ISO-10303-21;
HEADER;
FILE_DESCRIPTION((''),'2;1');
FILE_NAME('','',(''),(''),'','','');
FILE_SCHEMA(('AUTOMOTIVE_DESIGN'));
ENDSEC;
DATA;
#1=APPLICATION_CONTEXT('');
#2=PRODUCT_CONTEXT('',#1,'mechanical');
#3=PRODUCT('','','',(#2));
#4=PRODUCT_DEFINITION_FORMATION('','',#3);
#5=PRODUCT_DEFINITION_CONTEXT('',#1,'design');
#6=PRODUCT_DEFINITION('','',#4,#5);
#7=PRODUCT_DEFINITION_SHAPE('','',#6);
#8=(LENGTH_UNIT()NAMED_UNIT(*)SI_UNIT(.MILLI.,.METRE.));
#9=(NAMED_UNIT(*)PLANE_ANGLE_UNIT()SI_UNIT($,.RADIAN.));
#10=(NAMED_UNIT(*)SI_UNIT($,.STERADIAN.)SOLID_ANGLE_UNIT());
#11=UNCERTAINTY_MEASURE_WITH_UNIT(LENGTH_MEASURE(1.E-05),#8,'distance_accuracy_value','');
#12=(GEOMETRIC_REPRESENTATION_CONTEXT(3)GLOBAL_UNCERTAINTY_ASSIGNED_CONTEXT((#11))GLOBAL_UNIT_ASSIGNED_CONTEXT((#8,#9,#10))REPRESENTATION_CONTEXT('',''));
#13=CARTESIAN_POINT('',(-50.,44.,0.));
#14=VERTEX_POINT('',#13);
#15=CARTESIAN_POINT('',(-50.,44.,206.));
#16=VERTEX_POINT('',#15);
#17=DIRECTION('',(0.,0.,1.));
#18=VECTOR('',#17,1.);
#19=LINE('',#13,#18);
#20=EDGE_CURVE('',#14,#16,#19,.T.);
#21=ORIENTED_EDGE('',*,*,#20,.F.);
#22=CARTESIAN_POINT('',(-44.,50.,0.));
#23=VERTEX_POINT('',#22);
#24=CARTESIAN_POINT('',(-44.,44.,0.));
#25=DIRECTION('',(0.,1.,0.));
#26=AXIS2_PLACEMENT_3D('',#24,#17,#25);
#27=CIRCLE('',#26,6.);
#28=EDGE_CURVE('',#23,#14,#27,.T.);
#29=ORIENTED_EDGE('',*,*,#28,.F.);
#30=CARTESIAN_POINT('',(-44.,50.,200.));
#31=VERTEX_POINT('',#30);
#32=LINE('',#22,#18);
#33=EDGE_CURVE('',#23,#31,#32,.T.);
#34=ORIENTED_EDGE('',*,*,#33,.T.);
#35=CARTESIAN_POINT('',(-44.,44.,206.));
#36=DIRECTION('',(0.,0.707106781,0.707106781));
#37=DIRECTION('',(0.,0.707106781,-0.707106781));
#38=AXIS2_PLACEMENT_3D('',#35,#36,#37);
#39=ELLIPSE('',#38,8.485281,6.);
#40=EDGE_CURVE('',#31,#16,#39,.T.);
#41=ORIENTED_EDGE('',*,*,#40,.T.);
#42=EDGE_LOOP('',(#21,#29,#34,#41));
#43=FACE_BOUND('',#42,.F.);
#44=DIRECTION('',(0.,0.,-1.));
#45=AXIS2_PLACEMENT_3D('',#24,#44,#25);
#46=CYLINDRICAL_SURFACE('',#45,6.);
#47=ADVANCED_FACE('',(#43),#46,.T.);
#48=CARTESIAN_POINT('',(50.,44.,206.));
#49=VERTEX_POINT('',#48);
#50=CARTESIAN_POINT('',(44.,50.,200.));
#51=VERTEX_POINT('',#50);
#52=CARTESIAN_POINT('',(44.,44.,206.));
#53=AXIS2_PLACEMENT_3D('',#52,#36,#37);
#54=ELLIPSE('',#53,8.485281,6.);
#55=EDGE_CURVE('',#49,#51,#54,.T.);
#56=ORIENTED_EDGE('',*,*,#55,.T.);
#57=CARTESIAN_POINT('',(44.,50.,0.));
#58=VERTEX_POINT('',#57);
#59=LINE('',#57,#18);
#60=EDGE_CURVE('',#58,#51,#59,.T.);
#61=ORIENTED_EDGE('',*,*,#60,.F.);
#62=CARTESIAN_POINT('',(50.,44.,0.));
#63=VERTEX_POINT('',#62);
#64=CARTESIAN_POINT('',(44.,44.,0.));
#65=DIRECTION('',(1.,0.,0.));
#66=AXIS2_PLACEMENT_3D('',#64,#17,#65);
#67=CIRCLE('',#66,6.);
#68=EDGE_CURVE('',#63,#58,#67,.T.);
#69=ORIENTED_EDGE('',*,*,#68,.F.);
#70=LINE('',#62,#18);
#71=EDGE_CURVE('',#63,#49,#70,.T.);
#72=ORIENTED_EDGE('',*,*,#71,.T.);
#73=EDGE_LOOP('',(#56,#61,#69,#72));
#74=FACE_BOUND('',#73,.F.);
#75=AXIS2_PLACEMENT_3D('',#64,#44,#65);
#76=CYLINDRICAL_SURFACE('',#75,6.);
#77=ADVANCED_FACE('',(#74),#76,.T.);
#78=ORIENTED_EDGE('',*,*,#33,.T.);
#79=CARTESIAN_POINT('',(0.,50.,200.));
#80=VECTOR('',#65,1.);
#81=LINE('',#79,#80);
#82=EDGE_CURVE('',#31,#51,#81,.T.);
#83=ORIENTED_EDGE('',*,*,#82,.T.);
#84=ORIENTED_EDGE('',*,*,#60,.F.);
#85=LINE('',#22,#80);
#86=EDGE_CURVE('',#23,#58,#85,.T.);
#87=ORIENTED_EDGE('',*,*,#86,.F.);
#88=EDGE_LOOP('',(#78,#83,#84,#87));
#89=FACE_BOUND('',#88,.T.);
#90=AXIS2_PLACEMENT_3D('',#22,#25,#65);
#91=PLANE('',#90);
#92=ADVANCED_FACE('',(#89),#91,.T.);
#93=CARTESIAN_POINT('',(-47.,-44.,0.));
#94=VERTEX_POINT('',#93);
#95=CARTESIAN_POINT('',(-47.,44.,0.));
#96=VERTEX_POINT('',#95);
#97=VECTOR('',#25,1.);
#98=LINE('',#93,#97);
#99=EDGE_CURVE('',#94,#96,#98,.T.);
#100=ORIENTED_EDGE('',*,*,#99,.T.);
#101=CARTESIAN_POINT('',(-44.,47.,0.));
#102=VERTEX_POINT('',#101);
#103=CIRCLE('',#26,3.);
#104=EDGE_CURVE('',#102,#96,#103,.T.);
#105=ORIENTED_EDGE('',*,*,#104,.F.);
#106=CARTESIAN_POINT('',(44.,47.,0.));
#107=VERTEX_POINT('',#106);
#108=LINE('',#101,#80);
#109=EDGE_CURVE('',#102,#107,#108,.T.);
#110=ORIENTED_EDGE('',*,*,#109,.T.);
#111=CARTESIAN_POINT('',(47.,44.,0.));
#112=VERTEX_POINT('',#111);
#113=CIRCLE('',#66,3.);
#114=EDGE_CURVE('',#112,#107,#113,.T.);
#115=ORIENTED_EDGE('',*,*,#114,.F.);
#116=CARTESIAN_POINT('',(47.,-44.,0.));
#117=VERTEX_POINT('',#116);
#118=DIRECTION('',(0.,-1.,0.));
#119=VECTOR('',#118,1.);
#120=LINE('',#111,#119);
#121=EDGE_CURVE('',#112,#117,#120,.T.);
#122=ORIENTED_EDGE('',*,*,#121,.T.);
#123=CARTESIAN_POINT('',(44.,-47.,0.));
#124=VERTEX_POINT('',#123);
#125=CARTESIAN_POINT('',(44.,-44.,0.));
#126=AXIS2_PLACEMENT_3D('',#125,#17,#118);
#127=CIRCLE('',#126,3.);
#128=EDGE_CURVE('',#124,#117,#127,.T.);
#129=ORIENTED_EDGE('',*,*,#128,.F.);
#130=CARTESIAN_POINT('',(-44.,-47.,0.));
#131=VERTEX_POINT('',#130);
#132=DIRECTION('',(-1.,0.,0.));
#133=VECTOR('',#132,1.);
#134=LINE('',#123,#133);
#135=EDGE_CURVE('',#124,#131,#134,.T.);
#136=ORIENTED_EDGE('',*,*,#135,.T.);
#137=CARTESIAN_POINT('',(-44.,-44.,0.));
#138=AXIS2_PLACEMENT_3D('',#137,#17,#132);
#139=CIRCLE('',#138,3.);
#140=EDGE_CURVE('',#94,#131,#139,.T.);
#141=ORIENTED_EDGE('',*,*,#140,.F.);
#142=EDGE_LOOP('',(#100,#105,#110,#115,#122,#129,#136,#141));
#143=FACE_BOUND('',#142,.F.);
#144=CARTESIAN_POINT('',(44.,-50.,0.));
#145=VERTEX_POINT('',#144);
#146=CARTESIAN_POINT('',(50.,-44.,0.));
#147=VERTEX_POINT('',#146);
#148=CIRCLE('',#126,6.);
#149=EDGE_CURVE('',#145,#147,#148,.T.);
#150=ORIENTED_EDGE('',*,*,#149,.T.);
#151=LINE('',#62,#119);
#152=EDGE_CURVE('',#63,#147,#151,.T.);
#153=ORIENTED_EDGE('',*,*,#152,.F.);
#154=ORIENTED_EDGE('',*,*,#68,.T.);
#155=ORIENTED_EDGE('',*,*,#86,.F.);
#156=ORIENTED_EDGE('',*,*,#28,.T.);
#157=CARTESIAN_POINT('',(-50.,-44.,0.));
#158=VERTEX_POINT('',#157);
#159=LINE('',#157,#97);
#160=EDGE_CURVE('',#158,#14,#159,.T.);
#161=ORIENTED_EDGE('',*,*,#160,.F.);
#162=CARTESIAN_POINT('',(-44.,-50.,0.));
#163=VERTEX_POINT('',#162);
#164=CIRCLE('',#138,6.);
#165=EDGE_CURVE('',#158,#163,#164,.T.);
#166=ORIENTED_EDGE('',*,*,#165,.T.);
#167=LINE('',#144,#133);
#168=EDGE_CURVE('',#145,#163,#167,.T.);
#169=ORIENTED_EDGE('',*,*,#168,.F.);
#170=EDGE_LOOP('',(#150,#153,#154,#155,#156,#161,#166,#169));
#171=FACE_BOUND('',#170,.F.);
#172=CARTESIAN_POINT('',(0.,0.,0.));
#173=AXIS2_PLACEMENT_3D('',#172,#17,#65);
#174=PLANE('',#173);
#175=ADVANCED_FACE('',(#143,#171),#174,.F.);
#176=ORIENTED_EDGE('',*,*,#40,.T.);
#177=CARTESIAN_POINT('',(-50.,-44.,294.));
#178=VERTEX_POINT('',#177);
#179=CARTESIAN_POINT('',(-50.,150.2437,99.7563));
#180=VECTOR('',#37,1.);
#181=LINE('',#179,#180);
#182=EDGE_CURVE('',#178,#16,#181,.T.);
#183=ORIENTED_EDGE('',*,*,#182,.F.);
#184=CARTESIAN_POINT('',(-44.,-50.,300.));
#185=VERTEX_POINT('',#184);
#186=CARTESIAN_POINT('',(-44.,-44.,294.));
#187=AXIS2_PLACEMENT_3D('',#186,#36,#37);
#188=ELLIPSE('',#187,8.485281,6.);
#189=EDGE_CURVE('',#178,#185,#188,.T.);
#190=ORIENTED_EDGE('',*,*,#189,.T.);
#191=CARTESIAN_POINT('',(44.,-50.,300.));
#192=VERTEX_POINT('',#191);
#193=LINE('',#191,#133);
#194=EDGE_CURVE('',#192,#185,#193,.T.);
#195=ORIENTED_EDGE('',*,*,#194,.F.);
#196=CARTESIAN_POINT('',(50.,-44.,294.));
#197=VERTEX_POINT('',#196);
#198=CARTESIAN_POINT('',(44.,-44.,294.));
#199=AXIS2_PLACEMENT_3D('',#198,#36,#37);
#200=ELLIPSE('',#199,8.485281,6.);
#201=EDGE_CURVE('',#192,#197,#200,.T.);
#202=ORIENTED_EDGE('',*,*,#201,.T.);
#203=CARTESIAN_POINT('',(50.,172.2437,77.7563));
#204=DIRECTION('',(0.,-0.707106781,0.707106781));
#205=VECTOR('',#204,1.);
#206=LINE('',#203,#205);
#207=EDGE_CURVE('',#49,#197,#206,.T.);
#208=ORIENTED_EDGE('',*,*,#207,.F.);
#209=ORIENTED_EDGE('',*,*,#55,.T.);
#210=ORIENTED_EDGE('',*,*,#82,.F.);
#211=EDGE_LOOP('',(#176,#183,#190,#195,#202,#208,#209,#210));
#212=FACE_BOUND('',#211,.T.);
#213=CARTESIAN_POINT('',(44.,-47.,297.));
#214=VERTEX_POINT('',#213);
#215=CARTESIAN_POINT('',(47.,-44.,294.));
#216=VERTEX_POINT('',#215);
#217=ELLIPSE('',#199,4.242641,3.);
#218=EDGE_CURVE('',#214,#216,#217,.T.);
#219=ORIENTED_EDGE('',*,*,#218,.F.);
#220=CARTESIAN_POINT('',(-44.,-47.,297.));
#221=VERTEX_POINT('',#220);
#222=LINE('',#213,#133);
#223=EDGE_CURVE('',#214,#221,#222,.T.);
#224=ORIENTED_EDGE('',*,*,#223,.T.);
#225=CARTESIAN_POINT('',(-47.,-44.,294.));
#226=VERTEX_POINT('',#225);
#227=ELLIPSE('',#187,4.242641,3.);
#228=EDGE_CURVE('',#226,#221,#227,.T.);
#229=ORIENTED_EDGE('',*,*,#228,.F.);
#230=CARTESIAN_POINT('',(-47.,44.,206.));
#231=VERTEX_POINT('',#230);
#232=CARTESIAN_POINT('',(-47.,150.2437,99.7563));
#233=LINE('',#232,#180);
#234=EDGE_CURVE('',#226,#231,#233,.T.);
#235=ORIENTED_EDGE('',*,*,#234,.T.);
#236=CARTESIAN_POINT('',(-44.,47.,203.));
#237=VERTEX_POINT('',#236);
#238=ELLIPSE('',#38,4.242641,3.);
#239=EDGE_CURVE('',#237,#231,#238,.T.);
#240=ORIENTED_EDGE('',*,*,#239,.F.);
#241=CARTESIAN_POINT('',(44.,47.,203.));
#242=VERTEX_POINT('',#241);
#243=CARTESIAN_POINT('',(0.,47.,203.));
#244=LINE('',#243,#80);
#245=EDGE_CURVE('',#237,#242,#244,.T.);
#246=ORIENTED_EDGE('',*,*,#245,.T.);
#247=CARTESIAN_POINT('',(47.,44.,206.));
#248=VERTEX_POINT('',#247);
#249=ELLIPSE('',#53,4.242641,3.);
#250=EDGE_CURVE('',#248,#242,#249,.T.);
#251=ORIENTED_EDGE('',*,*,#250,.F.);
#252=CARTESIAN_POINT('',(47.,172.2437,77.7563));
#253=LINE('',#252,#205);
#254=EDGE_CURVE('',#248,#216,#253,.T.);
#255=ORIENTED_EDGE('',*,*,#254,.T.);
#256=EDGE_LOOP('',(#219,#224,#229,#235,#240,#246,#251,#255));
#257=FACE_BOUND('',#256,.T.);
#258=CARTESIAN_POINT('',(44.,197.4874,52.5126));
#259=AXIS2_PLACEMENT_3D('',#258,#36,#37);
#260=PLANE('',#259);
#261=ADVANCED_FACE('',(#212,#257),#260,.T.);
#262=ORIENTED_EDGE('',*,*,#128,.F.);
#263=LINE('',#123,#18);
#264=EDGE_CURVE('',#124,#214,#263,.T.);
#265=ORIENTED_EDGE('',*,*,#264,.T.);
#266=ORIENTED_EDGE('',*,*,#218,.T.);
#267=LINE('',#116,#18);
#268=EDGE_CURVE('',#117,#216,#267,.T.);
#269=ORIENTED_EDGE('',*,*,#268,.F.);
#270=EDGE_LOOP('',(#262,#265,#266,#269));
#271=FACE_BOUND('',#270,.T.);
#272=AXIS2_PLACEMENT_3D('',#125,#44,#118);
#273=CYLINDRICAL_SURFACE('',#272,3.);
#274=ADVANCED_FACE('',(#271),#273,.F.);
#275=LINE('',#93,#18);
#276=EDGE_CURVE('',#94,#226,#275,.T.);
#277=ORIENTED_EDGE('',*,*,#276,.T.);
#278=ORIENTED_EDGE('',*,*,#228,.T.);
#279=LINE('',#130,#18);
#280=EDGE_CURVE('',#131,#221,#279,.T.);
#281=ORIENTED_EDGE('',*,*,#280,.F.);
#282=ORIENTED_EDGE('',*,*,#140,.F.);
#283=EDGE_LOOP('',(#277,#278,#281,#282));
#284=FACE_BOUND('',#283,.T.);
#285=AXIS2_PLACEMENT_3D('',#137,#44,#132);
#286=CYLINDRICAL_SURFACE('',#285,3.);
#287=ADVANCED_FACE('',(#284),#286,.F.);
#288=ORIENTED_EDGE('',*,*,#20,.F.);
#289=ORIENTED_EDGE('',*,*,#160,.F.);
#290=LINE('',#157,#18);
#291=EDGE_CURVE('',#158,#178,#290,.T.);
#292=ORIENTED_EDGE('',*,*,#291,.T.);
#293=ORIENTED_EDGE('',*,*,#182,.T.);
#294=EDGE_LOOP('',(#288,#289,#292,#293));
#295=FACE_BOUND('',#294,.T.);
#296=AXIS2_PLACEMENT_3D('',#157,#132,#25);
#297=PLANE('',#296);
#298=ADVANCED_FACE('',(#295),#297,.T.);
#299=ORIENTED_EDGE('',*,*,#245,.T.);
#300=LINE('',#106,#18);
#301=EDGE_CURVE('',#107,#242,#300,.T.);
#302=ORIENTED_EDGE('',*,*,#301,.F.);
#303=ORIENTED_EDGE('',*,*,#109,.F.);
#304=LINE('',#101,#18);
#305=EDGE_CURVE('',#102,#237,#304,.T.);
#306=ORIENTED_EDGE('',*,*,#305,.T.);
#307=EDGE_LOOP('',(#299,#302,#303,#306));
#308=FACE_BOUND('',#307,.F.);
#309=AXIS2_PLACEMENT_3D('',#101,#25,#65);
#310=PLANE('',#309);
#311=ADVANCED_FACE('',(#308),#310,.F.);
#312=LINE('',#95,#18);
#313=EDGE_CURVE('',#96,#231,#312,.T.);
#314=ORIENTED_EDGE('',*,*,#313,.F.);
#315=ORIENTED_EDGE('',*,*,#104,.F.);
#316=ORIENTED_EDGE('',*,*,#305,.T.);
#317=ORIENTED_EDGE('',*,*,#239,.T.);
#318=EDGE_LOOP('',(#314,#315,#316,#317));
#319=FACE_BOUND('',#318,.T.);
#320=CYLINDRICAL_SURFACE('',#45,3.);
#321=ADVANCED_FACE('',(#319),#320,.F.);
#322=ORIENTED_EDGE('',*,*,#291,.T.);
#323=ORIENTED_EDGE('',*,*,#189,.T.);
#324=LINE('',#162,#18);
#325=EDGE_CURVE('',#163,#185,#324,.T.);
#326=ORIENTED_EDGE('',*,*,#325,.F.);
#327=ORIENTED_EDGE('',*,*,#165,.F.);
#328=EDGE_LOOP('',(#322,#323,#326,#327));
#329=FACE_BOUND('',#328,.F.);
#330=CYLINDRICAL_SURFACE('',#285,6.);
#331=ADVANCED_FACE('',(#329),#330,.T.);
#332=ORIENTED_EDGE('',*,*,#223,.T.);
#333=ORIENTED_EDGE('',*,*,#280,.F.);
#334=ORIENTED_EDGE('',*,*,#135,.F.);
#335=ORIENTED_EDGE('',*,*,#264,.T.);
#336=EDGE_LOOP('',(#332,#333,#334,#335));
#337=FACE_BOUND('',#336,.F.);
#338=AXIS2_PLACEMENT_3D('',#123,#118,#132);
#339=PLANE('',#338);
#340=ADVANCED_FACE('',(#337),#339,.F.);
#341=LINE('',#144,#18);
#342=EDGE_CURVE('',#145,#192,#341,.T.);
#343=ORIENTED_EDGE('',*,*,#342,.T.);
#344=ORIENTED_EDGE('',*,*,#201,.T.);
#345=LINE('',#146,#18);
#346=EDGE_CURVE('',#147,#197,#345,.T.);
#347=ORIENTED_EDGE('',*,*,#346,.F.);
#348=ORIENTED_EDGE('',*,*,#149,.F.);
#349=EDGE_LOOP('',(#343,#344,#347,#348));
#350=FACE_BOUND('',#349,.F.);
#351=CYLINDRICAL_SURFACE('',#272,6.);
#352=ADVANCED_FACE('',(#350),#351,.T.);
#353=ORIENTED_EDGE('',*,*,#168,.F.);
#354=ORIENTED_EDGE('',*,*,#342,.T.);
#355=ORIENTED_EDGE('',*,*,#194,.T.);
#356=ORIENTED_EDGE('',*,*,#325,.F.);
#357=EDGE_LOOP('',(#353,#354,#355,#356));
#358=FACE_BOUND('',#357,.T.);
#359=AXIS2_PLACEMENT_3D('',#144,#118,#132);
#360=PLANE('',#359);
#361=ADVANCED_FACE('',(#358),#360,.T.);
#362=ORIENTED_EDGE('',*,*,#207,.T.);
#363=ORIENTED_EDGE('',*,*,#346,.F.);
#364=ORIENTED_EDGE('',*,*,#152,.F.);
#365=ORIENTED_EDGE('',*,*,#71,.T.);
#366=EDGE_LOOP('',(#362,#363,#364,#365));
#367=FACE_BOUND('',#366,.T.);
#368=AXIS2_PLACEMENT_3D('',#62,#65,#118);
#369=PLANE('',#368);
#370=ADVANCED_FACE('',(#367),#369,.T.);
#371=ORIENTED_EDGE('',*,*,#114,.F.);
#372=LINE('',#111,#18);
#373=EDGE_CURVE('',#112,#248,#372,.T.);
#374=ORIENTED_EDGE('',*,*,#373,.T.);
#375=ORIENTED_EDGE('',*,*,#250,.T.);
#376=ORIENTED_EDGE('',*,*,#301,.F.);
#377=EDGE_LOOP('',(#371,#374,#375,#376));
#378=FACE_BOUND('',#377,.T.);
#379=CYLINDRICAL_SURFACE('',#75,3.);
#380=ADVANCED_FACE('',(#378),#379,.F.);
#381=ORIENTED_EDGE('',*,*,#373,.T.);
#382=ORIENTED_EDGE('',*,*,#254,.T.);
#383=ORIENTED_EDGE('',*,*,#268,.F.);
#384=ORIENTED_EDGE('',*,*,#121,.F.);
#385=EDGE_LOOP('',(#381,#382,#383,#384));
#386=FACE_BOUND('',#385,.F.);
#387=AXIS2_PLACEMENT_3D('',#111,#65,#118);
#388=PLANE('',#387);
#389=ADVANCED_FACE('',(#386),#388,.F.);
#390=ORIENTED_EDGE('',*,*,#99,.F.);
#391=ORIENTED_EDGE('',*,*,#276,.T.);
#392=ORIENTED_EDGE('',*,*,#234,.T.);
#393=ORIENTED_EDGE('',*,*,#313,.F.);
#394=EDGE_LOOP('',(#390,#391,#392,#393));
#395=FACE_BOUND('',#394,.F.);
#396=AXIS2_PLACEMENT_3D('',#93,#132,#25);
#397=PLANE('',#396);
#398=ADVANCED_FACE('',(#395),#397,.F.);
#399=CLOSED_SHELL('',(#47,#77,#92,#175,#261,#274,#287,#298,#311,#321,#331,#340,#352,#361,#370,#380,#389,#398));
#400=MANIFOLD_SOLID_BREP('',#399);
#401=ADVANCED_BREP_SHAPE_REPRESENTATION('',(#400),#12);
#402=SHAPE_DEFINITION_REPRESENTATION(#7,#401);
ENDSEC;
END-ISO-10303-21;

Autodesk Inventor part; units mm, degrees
ref_plane "Start Plane" through (0, 0, 0) normal (0, 0, 1) x (1, 0, 0)
ref_plane "End Plane" through (0, 0, 300) normal (0, 0, 1) x (1, 0, 0)
sketch "Sketch" plane through (0, 0, 0) normal (0, 0, 1) x (1, 0, 0)
  line L0 (-50, -44) -> (-50, 44)
  line L1 (-44, 50) -> (44, 50)
  line L2 (50, 44) -> (50, -44)
  line L3 (44, -50) -> (-44, -50)
  arc A0 (-50, -44) -> (-44, -50) centre (-44, -44) ccw
  arc A1 (50, 44) -> (44, 50) centre (44, 44) ccw
  arc A2 (-44, 50) -> (-50, 44) centre (-44, 44) ccw
  arc A3 (44, -50) -> (50, -44) centre (44, -44) ccw
  arc A4 (-44, 47) -> (-47, 44) centre (-44, 44) ccw
  line L4 (-44, 47) -> (44, 47)
  arc A5 (47, 44) -> (44, 47) centre (44, 44) ccw
  line L5 (47, 44) -> (47, -44)
  arc A6 (44, -47) -> (47, -44) centre (44, -44) ccw
  line L6 (44, -47) -> (-44, -47)
  arc A7 (-47, -44) -> (-44, -47) centre (-44, -44) ccw
  line L7 (-47, -44) -> (-47, 44)
  line L8 (0, 71.7397) -> (0, -71.7397) construction
  line L9 (-71.7397, 0) -> (71.7397, 0) construction
  dimension "d7" = 6
  dimension "d9" = 100
  dimension "d11" = 100
  dimension "d12" = 3
  dimension "d15" = 50
  dimension "d16" = 50
extrude "Body" add sketch "Sketch" along normal up to surface (300 mm away) from surface at 0
sketch "Sketch3" plane through (0, 0, 0) normal (0, 0, 1) x (1, 0, 0)
  line L0 (0, 0) -> (10, 0)
ref_plane "Work Plane3" through (0, 0, 0) normal (0, -1, 0) x (1, 0, 0)
ref_plane "Work Plane4" through (44, 197.4874, 52.5126) normal (0, 0.7071, 0.7071) x (1, 0, 0)
split "Split1" plane through (44, 197.4874, 52.5126) removes the side toward (0, 0.7071, 0.7071)
sketch "Sketch4" plane through (0, 0, 0) normal (0, -1, 0) x (1, 0, 0)
  line L0 (-2, 0) -> (12, 0) projected
  line L1 (-2, 300) -> (12, 300) projected
  dimension "d18" = 300
equation "\"d7\" = G_IR"
equation "\"d9\" = G_W"
equation "\"d11\" = G_H"
equation "\"d12\" = G_T"
equation "\"d15\" = 0.5 * d9"
equation "\"d16\" = 0.5 * d11"
equation "\"d3\" = G_L"
equation "\"G_W\" = 100"
equation "\"G_H\" = 100"
equation "\"G_T\" = 3"
equation "\"G_IR\" = 6"
equation "\"G_L\" = d18"
equation "\"G_OFFSET_START\" = 0"
equation "\"G_OFFSET_END\" = 0"
properties part number "ISO 10799-2 - 100x100x3 - 300" material "Steel, Mild"
